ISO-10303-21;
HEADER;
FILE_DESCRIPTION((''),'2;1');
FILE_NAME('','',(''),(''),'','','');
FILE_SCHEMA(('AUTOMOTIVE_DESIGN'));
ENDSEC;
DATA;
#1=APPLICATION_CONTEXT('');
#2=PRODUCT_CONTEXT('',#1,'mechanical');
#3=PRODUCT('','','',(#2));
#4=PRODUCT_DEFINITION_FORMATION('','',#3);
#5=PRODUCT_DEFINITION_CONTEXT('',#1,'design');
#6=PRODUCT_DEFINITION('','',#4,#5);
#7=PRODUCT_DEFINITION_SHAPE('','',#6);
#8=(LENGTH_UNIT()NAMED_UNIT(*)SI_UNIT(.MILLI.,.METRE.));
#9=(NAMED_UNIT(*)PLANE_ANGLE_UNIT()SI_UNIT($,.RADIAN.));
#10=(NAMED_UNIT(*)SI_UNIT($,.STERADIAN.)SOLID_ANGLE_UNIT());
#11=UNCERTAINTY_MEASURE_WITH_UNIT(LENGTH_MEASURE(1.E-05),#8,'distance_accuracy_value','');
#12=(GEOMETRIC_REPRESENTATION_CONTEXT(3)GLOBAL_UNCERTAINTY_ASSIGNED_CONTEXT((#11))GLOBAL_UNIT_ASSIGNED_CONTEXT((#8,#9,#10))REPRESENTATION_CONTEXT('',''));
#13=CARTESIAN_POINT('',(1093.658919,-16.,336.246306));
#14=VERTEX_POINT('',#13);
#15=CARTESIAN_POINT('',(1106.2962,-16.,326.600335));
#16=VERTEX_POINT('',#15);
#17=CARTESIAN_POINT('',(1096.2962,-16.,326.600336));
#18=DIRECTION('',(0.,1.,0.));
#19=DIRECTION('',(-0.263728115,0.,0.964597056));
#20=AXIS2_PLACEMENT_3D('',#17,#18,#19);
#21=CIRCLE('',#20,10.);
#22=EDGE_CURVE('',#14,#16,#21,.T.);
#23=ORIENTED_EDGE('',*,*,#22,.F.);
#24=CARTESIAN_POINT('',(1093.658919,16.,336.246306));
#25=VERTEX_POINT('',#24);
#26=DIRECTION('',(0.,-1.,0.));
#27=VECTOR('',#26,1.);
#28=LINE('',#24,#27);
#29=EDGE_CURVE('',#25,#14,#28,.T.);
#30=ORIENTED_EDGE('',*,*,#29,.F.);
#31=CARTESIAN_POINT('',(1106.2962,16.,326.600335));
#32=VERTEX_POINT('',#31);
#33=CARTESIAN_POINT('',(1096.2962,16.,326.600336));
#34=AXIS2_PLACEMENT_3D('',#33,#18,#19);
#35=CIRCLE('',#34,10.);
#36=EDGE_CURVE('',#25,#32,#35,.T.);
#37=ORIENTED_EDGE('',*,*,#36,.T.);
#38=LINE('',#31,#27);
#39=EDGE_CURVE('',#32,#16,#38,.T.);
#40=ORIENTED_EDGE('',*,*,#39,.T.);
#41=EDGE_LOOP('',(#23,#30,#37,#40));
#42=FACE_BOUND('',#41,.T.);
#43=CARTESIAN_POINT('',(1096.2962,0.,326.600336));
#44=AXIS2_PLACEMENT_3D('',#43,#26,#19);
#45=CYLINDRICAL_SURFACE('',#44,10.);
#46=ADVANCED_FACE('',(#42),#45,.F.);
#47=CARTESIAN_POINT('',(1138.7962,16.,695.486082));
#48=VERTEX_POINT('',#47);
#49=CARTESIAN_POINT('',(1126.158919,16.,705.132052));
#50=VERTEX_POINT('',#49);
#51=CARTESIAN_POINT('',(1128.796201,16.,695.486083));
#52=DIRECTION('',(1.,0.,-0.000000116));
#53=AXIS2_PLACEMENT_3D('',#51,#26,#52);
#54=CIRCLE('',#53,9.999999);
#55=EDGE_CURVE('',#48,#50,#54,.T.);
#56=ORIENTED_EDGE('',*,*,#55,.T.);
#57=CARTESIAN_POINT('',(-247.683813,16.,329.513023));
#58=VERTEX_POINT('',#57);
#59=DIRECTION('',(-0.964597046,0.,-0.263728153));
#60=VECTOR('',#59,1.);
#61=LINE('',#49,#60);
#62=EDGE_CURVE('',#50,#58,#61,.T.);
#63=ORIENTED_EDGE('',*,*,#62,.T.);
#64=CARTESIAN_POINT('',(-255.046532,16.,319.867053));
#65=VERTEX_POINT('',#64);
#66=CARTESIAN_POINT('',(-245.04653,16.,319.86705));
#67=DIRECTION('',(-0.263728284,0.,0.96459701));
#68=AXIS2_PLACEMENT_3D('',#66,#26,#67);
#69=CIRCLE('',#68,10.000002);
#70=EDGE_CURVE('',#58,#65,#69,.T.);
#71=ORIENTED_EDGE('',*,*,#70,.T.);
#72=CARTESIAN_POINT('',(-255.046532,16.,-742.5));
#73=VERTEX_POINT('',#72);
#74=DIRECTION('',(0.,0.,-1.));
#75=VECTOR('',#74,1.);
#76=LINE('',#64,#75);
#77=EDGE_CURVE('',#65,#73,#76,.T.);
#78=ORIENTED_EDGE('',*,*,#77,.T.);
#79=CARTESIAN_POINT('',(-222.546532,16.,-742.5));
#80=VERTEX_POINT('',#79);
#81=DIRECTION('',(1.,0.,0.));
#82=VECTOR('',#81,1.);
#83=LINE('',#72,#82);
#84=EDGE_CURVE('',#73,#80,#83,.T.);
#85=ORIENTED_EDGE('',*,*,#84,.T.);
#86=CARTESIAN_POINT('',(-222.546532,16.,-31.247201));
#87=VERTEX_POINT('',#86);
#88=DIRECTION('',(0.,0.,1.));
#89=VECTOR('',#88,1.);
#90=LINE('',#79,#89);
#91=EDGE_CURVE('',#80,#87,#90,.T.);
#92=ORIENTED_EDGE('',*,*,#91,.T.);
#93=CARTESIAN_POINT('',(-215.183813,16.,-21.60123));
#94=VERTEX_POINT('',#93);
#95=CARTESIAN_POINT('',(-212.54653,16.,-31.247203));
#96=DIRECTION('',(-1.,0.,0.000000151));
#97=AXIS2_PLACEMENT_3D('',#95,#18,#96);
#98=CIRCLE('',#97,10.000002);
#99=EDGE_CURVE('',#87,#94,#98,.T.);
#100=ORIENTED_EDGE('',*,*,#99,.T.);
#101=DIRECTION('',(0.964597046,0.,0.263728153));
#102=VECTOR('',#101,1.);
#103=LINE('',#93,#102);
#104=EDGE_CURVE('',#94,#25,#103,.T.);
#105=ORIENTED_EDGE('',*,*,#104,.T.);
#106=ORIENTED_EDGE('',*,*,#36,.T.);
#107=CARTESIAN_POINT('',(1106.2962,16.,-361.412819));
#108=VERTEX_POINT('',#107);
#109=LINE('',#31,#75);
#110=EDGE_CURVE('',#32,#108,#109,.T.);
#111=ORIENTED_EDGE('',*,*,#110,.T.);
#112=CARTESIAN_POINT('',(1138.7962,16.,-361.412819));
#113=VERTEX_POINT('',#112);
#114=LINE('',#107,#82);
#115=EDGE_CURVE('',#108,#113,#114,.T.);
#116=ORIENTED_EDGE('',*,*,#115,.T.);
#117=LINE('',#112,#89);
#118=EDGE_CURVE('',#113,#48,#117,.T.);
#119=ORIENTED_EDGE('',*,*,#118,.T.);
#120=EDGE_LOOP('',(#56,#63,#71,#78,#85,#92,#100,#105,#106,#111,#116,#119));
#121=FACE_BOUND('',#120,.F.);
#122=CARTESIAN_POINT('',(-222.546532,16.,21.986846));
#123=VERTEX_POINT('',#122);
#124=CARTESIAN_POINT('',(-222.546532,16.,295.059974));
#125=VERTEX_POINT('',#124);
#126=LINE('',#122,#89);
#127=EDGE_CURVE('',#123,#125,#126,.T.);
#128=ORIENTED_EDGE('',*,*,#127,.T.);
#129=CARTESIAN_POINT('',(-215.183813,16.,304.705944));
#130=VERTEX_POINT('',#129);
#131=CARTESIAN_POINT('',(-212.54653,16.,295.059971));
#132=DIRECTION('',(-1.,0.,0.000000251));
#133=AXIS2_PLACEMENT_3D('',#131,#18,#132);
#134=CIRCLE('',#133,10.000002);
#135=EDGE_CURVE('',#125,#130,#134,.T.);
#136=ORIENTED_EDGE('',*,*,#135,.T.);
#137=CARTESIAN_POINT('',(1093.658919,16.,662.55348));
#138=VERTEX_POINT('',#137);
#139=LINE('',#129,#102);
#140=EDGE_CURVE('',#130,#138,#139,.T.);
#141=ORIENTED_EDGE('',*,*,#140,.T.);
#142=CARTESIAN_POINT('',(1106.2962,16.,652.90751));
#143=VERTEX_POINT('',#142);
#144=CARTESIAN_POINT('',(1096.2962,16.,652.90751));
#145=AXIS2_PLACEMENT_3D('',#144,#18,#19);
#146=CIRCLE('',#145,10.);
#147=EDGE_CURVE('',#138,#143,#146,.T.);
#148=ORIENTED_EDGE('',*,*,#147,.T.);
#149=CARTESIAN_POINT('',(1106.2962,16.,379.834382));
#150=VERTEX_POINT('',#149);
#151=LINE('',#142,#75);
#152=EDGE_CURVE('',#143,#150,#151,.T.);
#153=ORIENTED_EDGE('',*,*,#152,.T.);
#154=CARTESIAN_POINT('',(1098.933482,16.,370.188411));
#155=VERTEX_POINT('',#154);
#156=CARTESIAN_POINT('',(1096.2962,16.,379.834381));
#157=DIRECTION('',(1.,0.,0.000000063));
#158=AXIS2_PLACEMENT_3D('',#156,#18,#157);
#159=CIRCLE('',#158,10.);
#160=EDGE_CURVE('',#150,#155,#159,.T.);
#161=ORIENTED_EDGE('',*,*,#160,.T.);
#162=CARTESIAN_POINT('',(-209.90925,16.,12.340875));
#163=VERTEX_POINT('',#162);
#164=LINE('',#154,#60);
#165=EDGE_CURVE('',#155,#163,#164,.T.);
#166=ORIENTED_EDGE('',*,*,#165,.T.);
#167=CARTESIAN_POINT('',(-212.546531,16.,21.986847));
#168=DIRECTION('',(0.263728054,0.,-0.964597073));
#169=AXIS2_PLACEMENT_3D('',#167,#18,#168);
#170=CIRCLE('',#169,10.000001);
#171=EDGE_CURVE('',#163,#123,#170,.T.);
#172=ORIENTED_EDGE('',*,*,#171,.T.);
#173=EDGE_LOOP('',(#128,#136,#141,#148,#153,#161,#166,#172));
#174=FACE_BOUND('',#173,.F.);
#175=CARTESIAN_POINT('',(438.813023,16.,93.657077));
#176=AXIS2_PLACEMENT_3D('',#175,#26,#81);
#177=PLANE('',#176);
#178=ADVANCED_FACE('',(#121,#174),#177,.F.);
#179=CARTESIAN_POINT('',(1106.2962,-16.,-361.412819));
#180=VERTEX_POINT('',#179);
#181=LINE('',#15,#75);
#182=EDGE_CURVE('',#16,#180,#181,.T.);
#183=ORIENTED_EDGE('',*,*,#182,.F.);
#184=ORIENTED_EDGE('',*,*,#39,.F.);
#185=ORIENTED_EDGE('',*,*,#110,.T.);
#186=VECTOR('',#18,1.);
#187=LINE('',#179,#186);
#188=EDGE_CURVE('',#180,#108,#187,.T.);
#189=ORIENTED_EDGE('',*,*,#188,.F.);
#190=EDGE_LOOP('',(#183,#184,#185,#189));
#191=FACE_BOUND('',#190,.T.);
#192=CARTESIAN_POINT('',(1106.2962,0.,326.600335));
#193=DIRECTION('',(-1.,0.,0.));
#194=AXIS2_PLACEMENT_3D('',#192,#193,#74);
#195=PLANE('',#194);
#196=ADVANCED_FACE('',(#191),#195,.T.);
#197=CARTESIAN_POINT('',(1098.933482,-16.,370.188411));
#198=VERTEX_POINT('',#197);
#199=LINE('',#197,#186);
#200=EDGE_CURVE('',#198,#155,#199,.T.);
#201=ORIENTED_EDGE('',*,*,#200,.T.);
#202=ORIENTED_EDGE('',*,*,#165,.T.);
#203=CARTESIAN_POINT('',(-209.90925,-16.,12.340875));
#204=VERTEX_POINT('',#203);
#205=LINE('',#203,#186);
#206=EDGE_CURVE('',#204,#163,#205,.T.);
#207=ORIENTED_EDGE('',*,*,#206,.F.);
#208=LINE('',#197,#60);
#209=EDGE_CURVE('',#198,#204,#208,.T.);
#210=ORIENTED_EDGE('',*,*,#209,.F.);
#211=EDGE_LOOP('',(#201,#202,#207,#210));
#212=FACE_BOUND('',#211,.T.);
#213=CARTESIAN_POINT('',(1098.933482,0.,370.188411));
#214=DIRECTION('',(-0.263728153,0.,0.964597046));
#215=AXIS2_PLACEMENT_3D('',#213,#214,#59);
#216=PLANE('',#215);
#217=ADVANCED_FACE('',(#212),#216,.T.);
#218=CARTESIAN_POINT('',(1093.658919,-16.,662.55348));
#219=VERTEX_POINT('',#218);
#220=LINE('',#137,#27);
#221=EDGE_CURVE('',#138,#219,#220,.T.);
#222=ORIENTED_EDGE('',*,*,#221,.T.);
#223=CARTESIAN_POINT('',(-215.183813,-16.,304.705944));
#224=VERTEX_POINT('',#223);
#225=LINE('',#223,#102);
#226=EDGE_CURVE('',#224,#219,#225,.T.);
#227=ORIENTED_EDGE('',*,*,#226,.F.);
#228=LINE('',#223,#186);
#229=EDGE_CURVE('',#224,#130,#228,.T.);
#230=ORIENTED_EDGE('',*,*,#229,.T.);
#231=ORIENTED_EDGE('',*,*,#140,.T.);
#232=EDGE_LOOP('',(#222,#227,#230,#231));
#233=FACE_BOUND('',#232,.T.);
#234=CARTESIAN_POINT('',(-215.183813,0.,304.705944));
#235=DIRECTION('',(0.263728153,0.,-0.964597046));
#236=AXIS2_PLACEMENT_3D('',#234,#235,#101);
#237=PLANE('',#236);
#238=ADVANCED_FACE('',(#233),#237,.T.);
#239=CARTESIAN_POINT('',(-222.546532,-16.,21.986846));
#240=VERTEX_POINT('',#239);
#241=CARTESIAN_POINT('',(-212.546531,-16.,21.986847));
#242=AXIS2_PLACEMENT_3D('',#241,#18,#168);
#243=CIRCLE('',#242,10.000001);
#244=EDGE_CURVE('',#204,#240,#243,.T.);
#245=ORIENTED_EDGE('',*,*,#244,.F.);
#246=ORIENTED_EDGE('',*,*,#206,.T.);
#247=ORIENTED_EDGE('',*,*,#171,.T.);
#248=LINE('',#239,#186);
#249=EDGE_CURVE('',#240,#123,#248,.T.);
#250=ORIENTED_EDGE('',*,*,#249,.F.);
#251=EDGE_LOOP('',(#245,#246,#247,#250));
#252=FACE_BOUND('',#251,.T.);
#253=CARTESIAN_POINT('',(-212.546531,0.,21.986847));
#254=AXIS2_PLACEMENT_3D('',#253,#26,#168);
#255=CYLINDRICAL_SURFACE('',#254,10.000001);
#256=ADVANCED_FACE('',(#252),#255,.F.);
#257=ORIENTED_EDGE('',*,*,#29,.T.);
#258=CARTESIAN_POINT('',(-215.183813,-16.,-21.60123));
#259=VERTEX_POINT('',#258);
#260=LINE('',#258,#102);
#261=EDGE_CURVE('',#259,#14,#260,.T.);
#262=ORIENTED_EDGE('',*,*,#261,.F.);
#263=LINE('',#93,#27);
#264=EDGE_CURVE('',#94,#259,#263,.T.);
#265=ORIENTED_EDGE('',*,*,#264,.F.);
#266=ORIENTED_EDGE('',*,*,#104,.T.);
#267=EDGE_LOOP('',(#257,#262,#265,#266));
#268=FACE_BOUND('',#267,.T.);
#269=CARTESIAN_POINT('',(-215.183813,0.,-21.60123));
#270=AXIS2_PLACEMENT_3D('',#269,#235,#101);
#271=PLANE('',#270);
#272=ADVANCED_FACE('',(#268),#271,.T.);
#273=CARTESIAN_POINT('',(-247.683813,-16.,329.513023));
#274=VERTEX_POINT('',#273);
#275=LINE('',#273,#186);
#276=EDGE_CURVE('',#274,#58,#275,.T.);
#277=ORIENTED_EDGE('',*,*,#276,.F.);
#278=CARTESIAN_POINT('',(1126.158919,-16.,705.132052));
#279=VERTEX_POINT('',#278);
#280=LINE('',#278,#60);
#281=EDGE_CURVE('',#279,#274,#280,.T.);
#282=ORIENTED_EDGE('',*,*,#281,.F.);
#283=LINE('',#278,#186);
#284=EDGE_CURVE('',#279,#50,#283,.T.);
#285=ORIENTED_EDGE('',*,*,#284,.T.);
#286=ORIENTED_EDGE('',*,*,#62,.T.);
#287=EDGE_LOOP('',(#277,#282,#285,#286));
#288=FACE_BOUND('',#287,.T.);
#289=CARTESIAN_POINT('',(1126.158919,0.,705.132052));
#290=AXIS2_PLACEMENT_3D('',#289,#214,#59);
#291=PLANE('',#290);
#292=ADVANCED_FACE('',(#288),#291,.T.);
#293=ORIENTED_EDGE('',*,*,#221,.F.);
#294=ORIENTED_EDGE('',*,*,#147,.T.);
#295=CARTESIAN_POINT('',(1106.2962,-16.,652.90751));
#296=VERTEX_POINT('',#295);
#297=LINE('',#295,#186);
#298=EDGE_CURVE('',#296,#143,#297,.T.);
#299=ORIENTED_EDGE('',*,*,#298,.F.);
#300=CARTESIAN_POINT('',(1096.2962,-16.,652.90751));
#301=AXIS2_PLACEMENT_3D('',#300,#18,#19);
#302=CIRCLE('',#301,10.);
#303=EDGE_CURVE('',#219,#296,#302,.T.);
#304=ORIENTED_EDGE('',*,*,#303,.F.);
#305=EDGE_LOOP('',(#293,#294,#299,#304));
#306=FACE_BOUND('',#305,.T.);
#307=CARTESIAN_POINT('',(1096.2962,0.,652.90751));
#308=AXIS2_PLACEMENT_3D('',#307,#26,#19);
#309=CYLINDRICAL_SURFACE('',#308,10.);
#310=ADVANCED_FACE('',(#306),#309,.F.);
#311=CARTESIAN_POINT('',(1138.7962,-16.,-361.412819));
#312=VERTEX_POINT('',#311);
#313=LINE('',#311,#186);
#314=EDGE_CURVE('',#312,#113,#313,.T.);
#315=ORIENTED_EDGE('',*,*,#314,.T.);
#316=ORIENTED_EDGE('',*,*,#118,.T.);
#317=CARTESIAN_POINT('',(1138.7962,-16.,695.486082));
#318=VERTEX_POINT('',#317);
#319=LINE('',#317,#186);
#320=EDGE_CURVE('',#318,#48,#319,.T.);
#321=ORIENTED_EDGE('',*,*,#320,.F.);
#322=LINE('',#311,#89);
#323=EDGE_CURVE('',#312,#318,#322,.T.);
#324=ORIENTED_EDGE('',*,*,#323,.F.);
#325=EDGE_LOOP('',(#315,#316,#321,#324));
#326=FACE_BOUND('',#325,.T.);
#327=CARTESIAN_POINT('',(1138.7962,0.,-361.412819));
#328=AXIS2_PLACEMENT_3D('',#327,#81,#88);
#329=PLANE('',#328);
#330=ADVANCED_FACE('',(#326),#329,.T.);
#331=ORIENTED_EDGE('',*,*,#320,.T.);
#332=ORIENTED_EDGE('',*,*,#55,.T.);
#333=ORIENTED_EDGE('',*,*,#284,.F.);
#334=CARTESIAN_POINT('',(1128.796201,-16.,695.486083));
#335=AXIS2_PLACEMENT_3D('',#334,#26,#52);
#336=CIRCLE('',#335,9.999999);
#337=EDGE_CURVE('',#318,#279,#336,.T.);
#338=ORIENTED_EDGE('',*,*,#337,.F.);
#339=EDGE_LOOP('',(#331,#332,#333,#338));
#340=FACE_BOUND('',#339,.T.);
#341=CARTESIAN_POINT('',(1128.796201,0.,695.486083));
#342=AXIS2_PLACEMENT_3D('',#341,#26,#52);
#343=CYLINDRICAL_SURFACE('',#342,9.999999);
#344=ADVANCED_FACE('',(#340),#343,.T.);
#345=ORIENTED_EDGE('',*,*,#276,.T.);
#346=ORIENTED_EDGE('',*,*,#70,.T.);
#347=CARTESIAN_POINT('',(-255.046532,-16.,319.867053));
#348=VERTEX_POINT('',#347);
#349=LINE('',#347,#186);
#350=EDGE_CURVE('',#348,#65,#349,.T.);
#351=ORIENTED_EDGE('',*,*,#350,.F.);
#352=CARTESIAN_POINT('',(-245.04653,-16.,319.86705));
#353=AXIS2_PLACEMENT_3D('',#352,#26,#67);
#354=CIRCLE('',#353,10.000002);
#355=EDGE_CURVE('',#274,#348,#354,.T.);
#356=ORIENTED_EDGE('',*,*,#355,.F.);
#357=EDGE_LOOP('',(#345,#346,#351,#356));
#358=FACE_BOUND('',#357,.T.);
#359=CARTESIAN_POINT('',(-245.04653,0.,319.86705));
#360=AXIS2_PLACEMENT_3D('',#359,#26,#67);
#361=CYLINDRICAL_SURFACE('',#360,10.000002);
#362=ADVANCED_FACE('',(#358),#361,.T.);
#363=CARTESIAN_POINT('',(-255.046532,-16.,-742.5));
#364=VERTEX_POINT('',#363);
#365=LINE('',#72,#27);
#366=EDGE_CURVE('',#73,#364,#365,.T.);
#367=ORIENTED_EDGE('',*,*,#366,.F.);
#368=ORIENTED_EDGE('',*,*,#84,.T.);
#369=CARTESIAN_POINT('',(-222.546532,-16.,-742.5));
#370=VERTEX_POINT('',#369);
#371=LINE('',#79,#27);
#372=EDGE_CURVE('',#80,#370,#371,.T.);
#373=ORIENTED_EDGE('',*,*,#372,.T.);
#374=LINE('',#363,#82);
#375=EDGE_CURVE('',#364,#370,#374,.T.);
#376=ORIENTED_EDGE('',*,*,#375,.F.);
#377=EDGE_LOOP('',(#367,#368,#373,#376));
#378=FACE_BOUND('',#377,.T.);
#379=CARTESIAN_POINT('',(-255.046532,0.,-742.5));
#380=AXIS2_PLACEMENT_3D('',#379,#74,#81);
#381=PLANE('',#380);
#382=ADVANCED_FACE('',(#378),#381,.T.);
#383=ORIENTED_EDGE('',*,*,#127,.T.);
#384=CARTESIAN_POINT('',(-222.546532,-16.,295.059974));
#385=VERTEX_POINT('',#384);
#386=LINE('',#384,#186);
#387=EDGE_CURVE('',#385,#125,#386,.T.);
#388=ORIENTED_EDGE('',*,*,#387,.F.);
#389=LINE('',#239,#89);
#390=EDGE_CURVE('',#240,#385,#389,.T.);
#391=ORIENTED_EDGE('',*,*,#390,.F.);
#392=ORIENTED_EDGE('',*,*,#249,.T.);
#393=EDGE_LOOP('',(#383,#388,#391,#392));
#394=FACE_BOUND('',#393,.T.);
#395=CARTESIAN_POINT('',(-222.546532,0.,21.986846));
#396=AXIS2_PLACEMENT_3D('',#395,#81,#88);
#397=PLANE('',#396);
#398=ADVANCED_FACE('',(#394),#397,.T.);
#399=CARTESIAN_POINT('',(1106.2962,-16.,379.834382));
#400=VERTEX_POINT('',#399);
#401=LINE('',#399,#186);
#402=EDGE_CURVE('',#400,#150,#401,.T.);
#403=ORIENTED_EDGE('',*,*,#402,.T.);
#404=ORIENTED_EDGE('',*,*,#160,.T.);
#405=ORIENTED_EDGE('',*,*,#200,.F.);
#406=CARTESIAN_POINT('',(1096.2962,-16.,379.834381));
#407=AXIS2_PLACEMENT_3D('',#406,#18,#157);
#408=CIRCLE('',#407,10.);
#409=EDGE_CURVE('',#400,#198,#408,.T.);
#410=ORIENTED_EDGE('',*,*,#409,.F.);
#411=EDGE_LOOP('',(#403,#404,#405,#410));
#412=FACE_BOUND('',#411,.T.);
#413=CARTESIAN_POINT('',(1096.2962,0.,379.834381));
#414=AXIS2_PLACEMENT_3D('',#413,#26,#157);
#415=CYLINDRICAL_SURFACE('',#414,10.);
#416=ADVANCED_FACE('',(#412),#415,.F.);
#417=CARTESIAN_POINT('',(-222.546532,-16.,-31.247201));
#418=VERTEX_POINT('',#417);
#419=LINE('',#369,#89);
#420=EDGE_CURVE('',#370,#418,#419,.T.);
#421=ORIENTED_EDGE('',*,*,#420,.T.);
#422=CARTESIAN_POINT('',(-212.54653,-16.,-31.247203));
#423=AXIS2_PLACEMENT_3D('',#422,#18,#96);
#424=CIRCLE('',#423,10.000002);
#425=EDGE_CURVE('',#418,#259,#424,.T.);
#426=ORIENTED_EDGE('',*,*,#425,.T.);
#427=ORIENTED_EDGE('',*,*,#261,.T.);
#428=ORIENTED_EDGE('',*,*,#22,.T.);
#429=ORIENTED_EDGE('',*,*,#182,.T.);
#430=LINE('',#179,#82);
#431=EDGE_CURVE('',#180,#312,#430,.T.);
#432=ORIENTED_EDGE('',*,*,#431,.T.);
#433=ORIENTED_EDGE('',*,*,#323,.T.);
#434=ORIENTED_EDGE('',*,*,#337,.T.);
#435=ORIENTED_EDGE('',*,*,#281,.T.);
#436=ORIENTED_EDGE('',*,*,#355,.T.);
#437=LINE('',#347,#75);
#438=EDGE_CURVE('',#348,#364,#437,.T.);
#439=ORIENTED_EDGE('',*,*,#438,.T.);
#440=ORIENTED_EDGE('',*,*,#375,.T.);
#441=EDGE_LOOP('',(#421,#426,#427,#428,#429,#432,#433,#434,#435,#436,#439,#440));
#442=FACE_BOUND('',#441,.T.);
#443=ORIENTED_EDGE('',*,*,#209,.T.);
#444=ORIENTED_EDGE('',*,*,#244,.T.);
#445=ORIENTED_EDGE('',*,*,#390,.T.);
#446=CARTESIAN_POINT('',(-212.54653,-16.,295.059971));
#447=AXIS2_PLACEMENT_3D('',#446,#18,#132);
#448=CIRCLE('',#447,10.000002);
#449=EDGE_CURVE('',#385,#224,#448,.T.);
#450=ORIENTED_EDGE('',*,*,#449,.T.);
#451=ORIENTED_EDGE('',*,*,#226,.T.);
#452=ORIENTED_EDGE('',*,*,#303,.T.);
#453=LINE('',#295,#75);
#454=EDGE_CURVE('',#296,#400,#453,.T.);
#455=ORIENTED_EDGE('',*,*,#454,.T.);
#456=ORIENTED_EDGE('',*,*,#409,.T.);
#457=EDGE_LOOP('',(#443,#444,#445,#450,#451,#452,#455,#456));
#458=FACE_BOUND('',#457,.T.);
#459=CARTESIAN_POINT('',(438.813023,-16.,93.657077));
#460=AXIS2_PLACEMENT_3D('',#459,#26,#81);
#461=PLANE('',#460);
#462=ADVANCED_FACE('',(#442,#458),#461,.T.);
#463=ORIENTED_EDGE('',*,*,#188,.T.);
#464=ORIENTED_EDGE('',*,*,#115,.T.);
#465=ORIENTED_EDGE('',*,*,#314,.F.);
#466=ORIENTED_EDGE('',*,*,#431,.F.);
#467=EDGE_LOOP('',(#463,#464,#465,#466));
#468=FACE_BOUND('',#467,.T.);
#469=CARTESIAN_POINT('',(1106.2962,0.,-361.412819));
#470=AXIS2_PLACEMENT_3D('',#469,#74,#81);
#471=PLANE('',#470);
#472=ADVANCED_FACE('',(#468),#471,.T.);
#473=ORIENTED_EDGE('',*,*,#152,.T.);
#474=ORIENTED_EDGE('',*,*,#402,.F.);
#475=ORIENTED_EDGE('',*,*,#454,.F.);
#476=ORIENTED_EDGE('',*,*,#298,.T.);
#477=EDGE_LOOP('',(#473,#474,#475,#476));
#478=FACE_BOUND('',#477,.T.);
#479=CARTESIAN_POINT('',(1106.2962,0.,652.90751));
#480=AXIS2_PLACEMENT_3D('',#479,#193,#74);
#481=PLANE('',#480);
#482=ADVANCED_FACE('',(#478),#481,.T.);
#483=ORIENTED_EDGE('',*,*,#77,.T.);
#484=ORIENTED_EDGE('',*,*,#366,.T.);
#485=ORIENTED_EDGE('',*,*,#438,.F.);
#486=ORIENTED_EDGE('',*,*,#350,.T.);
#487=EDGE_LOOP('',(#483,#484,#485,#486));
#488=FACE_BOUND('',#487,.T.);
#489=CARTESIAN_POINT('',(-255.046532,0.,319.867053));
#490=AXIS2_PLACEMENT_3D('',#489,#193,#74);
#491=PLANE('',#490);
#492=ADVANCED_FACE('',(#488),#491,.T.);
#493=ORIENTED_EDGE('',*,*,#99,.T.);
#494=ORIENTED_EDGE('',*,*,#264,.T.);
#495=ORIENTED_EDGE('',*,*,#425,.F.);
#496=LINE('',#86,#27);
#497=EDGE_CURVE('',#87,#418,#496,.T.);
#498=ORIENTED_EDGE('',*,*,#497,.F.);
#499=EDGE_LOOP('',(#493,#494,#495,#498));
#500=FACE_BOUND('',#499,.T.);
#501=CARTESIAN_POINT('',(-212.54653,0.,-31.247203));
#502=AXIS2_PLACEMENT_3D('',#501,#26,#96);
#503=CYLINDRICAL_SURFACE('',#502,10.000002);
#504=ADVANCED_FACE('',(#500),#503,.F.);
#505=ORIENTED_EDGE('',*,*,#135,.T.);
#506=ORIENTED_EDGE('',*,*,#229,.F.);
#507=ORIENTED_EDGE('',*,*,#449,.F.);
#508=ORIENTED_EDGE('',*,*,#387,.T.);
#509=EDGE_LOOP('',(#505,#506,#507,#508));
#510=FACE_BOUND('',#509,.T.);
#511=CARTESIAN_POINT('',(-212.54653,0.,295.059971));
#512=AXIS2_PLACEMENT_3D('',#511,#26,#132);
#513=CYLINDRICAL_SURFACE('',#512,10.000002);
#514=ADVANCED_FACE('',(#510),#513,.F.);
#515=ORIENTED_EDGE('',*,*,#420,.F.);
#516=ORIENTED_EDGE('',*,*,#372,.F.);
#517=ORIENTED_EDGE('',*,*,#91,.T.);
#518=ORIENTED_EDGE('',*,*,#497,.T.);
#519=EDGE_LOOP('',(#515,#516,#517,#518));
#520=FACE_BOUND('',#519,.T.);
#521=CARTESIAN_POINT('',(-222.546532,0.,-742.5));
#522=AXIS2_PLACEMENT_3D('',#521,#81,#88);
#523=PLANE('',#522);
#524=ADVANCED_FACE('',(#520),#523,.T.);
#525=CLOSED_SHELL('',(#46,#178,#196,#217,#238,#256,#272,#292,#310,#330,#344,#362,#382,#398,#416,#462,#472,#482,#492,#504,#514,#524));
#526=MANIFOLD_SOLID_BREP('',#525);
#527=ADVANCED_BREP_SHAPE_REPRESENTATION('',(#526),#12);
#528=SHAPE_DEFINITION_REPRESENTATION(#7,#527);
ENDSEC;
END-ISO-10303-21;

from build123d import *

# Parameters (mm, degrees)
F1_DEPTH = 16


with BuildPart() as f1:
    # F0 (on Front) → F1 (new body, symmetric)
    with BuildSketch(Plane.XZ):
        with BuildLine():
            Line((-255.046532, 319.867053), (-255.046532, -742.5))
            Line((-255.046532, -742.5), (-222.546532, -742.5))
            Line((-222.546532, -742.5), (-222.546532, -31.247201))
            ThreePointArc((-222.546532, -31.247201), (-220.495519, -25.17978), (-215.183813, -21.60123))
            Line((-215.183813, -21.60123), (1093.658919, 336.246306))
            ThreePointArc((1093.658919, 336.246306), (1102.363621, 334.549323), (1106.2962, 326.600335))
            Line((1106.2962, 326.600335), (1106.2962, -361.412819))
            Line((1106.2962, -361.412819), (1138.7962, -361.412819))
            Line((1138.7962, -361.412819), (1138.7962, 695.486082))
            ThreePointArc((1138.7962, 695.486082), (1134.863621, 703.43507), (1126.158919, 705.132052))
            Line((1126.158919, 705.132052), (-247.683813, 329.513023))
            ThreePointArc((-247.683813, 329.513023), (-252.995519, 325.934473), (-255.046532, 319.867053))
        make_face()
        with BuildLine():
            ThreePointArc((1093.658919, 662.55348), (1102.363621, 660.856497), (1106.2962, 652.90751))
            Line((1106.2962, 652.90751), (1106.2962, 379.834382))
            ThreePointArc((1106.2962, 379.834382), (1104.245188, 373.766961), (1098.933482, 370.188411))
            Line((1098.933482, 370.188411), (-209.90925, 12.340875))
            ThreePointArc((-209.90925, 12.340875), (-218.613952, 14.037858), (-222.546532, 21.986846))
            Line((-222.546532, 21.986846), (-222.546532, 295.059974))
            ThreePointArc((-222.546532, 295.059974), (-220.495519, 301.127394), (-215.183813, 304.705944))
            Line((-215.183813, 304.705944), (1093.658919, 662.55348))
        make_face(mode=Mode.SUBTRACT)
    extrude(amount=F1_DEPTH, both=True)


solid = f1.part
